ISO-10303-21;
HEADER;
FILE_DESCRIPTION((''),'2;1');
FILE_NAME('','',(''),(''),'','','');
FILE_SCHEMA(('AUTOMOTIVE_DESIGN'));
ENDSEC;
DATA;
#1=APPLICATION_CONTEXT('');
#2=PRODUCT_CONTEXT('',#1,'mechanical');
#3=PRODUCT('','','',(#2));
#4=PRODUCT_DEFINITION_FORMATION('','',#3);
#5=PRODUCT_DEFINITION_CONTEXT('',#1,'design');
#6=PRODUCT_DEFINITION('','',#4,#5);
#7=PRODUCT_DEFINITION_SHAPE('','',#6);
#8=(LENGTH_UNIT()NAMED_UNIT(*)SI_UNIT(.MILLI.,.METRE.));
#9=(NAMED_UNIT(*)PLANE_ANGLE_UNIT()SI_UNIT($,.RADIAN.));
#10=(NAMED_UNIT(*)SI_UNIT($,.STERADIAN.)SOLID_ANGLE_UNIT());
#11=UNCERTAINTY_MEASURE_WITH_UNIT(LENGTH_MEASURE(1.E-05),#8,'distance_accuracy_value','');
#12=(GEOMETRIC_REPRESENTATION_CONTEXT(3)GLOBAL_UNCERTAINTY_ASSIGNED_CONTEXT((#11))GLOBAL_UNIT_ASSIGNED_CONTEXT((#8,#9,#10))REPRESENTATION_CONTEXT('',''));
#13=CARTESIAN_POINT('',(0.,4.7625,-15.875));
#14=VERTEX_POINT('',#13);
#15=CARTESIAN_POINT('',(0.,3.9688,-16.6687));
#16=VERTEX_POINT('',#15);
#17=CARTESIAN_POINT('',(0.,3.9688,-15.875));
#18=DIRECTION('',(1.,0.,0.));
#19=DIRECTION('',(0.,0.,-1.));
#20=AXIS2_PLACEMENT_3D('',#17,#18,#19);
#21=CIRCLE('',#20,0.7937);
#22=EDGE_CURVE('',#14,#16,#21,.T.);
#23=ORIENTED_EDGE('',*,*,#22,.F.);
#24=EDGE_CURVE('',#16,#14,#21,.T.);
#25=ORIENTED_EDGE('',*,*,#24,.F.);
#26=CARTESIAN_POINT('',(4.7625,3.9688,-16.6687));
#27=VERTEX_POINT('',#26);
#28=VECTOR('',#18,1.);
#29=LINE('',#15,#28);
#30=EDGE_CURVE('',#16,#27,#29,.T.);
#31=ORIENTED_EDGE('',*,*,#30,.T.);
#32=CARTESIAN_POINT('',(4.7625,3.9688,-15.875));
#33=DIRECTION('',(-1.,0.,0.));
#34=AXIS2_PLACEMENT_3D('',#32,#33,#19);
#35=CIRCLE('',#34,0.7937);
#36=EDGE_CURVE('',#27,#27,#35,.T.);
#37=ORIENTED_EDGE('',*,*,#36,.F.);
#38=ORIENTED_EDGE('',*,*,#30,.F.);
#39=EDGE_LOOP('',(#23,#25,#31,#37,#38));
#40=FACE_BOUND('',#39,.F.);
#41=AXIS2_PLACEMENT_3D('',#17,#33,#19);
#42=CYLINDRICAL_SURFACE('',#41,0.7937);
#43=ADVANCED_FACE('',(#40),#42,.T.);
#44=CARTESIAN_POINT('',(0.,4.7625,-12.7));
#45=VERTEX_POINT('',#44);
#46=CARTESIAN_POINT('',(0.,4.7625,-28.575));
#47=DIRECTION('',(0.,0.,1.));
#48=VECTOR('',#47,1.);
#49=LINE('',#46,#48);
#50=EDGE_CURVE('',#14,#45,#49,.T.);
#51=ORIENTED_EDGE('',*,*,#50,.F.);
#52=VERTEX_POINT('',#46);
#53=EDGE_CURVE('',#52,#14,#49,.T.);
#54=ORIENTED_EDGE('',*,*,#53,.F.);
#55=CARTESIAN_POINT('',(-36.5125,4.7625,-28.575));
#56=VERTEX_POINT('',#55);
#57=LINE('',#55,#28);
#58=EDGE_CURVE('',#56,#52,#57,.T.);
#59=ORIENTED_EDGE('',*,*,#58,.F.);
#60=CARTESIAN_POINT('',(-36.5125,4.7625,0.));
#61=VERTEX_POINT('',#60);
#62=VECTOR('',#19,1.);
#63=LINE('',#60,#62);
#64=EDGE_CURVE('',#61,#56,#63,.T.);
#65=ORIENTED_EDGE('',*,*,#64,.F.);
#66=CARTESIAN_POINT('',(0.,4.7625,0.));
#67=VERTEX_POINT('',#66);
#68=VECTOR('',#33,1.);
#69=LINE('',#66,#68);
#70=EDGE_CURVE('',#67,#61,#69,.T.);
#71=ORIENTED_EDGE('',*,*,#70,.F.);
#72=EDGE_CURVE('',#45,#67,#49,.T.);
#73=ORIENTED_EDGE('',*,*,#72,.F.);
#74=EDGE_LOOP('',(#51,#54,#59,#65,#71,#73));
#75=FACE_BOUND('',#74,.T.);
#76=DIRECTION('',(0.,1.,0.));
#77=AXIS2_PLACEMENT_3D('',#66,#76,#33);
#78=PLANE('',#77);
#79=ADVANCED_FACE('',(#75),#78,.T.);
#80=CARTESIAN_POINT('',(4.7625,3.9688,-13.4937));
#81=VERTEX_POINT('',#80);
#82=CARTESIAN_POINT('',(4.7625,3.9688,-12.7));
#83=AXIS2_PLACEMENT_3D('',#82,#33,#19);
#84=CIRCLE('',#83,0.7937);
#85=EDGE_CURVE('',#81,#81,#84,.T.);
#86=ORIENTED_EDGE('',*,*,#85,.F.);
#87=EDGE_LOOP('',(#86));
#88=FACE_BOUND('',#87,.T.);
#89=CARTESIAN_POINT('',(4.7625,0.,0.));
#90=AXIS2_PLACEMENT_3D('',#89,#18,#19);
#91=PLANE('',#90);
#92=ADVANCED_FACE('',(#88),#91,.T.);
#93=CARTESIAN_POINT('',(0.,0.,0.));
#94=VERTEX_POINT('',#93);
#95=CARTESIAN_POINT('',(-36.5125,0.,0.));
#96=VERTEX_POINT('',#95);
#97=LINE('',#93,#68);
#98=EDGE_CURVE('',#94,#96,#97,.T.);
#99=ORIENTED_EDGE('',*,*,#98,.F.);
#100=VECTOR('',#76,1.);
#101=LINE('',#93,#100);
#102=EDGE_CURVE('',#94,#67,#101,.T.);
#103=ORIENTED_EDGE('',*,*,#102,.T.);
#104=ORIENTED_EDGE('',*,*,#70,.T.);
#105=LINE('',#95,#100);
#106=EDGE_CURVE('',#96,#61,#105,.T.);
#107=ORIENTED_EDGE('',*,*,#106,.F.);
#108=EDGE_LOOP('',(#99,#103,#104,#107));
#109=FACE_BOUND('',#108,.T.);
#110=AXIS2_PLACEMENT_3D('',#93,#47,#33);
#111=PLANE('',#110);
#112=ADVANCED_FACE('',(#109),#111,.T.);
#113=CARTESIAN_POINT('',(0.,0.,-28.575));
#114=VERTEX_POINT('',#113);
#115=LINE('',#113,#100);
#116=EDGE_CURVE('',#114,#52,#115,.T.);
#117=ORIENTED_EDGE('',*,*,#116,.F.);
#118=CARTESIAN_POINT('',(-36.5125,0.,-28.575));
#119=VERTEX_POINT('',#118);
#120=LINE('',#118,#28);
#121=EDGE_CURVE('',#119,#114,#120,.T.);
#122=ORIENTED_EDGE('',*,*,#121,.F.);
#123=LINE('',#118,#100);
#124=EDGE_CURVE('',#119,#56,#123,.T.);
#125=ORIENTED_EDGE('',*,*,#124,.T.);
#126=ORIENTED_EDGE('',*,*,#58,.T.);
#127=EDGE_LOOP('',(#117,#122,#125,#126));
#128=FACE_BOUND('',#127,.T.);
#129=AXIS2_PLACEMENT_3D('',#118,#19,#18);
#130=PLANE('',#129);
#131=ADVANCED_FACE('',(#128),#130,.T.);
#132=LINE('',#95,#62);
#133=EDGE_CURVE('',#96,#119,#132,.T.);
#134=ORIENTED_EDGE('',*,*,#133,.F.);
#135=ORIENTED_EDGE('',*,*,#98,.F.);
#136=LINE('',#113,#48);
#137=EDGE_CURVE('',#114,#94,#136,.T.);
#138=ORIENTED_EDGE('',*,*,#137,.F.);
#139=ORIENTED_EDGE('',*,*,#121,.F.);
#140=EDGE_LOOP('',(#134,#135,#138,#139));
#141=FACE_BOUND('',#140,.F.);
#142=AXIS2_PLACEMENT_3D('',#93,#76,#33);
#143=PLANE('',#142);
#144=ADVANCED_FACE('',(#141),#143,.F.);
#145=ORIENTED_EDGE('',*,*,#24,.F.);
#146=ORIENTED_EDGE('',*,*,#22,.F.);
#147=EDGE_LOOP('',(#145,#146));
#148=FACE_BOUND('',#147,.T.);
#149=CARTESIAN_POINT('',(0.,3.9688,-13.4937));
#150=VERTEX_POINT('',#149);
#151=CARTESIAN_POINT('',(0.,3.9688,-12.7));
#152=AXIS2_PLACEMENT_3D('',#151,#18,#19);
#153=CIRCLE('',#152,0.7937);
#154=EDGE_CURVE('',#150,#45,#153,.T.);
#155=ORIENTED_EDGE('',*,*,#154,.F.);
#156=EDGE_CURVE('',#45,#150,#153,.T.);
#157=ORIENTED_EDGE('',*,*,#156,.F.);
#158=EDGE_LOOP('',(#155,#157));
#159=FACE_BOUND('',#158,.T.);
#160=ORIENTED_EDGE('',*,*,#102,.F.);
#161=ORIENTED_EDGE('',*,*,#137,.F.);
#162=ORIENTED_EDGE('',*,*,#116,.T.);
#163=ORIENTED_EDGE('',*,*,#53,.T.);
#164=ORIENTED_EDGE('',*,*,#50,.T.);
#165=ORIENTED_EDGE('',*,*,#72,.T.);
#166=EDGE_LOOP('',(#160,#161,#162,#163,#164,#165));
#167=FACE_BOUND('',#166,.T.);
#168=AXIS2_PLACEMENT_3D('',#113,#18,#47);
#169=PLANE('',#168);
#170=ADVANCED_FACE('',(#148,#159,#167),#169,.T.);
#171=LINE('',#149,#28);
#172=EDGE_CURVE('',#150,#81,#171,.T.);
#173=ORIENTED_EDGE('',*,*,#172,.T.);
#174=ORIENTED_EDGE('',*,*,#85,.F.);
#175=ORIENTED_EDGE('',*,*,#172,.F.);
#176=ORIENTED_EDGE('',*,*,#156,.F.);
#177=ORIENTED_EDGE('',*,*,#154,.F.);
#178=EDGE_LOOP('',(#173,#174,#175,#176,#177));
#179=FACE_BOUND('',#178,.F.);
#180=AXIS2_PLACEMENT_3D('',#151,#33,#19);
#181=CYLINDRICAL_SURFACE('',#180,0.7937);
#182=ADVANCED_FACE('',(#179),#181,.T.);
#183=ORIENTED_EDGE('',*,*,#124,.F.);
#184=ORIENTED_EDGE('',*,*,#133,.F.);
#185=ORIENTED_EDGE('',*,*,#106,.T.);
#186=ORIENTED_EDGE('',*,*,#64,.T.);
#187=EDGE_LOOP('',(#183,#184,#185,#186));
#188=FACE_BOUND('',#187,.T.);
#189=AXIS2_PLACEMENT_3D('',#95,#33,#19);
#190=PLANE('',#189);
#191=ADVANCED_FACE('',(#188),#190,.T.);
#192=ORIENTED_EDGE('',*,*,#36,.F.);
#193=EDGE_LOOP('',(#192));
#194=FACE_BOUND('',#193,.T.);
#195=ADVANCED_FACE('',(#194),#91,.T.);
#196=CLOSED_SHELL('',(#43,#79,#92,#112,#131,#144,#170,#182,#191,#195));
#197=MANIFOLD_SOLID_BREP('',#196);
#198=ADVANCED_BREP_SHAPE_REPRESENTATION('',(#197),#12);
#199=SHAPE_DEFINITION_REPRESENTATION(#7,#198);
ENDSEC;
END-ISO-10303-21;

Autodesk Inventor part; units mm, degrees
ref_plane "YZ Plane" through (0, 0, 0) normal (1, 0, 0) x (0, 1, 0)
ref_plane "XZ Plane" through (0, 0, 0) normal (0, 1, 0) x (-1, 0, 0)
ref_plane "XY Plane" through (0, 0, 0) normal (0, 0, 1) x (1, 0, 0)
sketch "Sketch1" plane through (0, 0, 0) normal (0, 1, 0) x (-1, 0, 0)
  line L0 (0, 0) -> (36.5125, 0)
  line L1 (36.5125, 0) -> (36.5125, -28.575)
  line L2 (36.5125, -28.575) -> (0, -28.575)
  line L3 (0, -28.575) -> (0, 0)
  dimension "d0" = 36.5125
  dimension "d1" = 28.575
extrude "Extrusion1" add sketch "Sketch1" along normal blind 4.7625
sketch "Sketch3" plane through (0, 0, 0) normal (1, 0, 0) x (0, 0, -1)
  circle A0 centre (12.7, 3.9688) radius 0.7937
  line L0 (0, 4.7625) -> (28.575, 4.7625) projected
  line L1 (0, 0) -> (0, 4.7625) projected
  circle A1 centre (15.875, 3.9688) radius 0.7937
  line L2 (28.575, 0) -> (28.575, 4.7625) projected
  dimension "d5" = 12.7
  dimension "d7" = 12.7
  dimension "d10" = 1.5875
  dimension "d11" = 1.5875
extrude "Extrusion2" add sketch "Sketch3" along normal blind 4.7625
properties part number "Battery"
